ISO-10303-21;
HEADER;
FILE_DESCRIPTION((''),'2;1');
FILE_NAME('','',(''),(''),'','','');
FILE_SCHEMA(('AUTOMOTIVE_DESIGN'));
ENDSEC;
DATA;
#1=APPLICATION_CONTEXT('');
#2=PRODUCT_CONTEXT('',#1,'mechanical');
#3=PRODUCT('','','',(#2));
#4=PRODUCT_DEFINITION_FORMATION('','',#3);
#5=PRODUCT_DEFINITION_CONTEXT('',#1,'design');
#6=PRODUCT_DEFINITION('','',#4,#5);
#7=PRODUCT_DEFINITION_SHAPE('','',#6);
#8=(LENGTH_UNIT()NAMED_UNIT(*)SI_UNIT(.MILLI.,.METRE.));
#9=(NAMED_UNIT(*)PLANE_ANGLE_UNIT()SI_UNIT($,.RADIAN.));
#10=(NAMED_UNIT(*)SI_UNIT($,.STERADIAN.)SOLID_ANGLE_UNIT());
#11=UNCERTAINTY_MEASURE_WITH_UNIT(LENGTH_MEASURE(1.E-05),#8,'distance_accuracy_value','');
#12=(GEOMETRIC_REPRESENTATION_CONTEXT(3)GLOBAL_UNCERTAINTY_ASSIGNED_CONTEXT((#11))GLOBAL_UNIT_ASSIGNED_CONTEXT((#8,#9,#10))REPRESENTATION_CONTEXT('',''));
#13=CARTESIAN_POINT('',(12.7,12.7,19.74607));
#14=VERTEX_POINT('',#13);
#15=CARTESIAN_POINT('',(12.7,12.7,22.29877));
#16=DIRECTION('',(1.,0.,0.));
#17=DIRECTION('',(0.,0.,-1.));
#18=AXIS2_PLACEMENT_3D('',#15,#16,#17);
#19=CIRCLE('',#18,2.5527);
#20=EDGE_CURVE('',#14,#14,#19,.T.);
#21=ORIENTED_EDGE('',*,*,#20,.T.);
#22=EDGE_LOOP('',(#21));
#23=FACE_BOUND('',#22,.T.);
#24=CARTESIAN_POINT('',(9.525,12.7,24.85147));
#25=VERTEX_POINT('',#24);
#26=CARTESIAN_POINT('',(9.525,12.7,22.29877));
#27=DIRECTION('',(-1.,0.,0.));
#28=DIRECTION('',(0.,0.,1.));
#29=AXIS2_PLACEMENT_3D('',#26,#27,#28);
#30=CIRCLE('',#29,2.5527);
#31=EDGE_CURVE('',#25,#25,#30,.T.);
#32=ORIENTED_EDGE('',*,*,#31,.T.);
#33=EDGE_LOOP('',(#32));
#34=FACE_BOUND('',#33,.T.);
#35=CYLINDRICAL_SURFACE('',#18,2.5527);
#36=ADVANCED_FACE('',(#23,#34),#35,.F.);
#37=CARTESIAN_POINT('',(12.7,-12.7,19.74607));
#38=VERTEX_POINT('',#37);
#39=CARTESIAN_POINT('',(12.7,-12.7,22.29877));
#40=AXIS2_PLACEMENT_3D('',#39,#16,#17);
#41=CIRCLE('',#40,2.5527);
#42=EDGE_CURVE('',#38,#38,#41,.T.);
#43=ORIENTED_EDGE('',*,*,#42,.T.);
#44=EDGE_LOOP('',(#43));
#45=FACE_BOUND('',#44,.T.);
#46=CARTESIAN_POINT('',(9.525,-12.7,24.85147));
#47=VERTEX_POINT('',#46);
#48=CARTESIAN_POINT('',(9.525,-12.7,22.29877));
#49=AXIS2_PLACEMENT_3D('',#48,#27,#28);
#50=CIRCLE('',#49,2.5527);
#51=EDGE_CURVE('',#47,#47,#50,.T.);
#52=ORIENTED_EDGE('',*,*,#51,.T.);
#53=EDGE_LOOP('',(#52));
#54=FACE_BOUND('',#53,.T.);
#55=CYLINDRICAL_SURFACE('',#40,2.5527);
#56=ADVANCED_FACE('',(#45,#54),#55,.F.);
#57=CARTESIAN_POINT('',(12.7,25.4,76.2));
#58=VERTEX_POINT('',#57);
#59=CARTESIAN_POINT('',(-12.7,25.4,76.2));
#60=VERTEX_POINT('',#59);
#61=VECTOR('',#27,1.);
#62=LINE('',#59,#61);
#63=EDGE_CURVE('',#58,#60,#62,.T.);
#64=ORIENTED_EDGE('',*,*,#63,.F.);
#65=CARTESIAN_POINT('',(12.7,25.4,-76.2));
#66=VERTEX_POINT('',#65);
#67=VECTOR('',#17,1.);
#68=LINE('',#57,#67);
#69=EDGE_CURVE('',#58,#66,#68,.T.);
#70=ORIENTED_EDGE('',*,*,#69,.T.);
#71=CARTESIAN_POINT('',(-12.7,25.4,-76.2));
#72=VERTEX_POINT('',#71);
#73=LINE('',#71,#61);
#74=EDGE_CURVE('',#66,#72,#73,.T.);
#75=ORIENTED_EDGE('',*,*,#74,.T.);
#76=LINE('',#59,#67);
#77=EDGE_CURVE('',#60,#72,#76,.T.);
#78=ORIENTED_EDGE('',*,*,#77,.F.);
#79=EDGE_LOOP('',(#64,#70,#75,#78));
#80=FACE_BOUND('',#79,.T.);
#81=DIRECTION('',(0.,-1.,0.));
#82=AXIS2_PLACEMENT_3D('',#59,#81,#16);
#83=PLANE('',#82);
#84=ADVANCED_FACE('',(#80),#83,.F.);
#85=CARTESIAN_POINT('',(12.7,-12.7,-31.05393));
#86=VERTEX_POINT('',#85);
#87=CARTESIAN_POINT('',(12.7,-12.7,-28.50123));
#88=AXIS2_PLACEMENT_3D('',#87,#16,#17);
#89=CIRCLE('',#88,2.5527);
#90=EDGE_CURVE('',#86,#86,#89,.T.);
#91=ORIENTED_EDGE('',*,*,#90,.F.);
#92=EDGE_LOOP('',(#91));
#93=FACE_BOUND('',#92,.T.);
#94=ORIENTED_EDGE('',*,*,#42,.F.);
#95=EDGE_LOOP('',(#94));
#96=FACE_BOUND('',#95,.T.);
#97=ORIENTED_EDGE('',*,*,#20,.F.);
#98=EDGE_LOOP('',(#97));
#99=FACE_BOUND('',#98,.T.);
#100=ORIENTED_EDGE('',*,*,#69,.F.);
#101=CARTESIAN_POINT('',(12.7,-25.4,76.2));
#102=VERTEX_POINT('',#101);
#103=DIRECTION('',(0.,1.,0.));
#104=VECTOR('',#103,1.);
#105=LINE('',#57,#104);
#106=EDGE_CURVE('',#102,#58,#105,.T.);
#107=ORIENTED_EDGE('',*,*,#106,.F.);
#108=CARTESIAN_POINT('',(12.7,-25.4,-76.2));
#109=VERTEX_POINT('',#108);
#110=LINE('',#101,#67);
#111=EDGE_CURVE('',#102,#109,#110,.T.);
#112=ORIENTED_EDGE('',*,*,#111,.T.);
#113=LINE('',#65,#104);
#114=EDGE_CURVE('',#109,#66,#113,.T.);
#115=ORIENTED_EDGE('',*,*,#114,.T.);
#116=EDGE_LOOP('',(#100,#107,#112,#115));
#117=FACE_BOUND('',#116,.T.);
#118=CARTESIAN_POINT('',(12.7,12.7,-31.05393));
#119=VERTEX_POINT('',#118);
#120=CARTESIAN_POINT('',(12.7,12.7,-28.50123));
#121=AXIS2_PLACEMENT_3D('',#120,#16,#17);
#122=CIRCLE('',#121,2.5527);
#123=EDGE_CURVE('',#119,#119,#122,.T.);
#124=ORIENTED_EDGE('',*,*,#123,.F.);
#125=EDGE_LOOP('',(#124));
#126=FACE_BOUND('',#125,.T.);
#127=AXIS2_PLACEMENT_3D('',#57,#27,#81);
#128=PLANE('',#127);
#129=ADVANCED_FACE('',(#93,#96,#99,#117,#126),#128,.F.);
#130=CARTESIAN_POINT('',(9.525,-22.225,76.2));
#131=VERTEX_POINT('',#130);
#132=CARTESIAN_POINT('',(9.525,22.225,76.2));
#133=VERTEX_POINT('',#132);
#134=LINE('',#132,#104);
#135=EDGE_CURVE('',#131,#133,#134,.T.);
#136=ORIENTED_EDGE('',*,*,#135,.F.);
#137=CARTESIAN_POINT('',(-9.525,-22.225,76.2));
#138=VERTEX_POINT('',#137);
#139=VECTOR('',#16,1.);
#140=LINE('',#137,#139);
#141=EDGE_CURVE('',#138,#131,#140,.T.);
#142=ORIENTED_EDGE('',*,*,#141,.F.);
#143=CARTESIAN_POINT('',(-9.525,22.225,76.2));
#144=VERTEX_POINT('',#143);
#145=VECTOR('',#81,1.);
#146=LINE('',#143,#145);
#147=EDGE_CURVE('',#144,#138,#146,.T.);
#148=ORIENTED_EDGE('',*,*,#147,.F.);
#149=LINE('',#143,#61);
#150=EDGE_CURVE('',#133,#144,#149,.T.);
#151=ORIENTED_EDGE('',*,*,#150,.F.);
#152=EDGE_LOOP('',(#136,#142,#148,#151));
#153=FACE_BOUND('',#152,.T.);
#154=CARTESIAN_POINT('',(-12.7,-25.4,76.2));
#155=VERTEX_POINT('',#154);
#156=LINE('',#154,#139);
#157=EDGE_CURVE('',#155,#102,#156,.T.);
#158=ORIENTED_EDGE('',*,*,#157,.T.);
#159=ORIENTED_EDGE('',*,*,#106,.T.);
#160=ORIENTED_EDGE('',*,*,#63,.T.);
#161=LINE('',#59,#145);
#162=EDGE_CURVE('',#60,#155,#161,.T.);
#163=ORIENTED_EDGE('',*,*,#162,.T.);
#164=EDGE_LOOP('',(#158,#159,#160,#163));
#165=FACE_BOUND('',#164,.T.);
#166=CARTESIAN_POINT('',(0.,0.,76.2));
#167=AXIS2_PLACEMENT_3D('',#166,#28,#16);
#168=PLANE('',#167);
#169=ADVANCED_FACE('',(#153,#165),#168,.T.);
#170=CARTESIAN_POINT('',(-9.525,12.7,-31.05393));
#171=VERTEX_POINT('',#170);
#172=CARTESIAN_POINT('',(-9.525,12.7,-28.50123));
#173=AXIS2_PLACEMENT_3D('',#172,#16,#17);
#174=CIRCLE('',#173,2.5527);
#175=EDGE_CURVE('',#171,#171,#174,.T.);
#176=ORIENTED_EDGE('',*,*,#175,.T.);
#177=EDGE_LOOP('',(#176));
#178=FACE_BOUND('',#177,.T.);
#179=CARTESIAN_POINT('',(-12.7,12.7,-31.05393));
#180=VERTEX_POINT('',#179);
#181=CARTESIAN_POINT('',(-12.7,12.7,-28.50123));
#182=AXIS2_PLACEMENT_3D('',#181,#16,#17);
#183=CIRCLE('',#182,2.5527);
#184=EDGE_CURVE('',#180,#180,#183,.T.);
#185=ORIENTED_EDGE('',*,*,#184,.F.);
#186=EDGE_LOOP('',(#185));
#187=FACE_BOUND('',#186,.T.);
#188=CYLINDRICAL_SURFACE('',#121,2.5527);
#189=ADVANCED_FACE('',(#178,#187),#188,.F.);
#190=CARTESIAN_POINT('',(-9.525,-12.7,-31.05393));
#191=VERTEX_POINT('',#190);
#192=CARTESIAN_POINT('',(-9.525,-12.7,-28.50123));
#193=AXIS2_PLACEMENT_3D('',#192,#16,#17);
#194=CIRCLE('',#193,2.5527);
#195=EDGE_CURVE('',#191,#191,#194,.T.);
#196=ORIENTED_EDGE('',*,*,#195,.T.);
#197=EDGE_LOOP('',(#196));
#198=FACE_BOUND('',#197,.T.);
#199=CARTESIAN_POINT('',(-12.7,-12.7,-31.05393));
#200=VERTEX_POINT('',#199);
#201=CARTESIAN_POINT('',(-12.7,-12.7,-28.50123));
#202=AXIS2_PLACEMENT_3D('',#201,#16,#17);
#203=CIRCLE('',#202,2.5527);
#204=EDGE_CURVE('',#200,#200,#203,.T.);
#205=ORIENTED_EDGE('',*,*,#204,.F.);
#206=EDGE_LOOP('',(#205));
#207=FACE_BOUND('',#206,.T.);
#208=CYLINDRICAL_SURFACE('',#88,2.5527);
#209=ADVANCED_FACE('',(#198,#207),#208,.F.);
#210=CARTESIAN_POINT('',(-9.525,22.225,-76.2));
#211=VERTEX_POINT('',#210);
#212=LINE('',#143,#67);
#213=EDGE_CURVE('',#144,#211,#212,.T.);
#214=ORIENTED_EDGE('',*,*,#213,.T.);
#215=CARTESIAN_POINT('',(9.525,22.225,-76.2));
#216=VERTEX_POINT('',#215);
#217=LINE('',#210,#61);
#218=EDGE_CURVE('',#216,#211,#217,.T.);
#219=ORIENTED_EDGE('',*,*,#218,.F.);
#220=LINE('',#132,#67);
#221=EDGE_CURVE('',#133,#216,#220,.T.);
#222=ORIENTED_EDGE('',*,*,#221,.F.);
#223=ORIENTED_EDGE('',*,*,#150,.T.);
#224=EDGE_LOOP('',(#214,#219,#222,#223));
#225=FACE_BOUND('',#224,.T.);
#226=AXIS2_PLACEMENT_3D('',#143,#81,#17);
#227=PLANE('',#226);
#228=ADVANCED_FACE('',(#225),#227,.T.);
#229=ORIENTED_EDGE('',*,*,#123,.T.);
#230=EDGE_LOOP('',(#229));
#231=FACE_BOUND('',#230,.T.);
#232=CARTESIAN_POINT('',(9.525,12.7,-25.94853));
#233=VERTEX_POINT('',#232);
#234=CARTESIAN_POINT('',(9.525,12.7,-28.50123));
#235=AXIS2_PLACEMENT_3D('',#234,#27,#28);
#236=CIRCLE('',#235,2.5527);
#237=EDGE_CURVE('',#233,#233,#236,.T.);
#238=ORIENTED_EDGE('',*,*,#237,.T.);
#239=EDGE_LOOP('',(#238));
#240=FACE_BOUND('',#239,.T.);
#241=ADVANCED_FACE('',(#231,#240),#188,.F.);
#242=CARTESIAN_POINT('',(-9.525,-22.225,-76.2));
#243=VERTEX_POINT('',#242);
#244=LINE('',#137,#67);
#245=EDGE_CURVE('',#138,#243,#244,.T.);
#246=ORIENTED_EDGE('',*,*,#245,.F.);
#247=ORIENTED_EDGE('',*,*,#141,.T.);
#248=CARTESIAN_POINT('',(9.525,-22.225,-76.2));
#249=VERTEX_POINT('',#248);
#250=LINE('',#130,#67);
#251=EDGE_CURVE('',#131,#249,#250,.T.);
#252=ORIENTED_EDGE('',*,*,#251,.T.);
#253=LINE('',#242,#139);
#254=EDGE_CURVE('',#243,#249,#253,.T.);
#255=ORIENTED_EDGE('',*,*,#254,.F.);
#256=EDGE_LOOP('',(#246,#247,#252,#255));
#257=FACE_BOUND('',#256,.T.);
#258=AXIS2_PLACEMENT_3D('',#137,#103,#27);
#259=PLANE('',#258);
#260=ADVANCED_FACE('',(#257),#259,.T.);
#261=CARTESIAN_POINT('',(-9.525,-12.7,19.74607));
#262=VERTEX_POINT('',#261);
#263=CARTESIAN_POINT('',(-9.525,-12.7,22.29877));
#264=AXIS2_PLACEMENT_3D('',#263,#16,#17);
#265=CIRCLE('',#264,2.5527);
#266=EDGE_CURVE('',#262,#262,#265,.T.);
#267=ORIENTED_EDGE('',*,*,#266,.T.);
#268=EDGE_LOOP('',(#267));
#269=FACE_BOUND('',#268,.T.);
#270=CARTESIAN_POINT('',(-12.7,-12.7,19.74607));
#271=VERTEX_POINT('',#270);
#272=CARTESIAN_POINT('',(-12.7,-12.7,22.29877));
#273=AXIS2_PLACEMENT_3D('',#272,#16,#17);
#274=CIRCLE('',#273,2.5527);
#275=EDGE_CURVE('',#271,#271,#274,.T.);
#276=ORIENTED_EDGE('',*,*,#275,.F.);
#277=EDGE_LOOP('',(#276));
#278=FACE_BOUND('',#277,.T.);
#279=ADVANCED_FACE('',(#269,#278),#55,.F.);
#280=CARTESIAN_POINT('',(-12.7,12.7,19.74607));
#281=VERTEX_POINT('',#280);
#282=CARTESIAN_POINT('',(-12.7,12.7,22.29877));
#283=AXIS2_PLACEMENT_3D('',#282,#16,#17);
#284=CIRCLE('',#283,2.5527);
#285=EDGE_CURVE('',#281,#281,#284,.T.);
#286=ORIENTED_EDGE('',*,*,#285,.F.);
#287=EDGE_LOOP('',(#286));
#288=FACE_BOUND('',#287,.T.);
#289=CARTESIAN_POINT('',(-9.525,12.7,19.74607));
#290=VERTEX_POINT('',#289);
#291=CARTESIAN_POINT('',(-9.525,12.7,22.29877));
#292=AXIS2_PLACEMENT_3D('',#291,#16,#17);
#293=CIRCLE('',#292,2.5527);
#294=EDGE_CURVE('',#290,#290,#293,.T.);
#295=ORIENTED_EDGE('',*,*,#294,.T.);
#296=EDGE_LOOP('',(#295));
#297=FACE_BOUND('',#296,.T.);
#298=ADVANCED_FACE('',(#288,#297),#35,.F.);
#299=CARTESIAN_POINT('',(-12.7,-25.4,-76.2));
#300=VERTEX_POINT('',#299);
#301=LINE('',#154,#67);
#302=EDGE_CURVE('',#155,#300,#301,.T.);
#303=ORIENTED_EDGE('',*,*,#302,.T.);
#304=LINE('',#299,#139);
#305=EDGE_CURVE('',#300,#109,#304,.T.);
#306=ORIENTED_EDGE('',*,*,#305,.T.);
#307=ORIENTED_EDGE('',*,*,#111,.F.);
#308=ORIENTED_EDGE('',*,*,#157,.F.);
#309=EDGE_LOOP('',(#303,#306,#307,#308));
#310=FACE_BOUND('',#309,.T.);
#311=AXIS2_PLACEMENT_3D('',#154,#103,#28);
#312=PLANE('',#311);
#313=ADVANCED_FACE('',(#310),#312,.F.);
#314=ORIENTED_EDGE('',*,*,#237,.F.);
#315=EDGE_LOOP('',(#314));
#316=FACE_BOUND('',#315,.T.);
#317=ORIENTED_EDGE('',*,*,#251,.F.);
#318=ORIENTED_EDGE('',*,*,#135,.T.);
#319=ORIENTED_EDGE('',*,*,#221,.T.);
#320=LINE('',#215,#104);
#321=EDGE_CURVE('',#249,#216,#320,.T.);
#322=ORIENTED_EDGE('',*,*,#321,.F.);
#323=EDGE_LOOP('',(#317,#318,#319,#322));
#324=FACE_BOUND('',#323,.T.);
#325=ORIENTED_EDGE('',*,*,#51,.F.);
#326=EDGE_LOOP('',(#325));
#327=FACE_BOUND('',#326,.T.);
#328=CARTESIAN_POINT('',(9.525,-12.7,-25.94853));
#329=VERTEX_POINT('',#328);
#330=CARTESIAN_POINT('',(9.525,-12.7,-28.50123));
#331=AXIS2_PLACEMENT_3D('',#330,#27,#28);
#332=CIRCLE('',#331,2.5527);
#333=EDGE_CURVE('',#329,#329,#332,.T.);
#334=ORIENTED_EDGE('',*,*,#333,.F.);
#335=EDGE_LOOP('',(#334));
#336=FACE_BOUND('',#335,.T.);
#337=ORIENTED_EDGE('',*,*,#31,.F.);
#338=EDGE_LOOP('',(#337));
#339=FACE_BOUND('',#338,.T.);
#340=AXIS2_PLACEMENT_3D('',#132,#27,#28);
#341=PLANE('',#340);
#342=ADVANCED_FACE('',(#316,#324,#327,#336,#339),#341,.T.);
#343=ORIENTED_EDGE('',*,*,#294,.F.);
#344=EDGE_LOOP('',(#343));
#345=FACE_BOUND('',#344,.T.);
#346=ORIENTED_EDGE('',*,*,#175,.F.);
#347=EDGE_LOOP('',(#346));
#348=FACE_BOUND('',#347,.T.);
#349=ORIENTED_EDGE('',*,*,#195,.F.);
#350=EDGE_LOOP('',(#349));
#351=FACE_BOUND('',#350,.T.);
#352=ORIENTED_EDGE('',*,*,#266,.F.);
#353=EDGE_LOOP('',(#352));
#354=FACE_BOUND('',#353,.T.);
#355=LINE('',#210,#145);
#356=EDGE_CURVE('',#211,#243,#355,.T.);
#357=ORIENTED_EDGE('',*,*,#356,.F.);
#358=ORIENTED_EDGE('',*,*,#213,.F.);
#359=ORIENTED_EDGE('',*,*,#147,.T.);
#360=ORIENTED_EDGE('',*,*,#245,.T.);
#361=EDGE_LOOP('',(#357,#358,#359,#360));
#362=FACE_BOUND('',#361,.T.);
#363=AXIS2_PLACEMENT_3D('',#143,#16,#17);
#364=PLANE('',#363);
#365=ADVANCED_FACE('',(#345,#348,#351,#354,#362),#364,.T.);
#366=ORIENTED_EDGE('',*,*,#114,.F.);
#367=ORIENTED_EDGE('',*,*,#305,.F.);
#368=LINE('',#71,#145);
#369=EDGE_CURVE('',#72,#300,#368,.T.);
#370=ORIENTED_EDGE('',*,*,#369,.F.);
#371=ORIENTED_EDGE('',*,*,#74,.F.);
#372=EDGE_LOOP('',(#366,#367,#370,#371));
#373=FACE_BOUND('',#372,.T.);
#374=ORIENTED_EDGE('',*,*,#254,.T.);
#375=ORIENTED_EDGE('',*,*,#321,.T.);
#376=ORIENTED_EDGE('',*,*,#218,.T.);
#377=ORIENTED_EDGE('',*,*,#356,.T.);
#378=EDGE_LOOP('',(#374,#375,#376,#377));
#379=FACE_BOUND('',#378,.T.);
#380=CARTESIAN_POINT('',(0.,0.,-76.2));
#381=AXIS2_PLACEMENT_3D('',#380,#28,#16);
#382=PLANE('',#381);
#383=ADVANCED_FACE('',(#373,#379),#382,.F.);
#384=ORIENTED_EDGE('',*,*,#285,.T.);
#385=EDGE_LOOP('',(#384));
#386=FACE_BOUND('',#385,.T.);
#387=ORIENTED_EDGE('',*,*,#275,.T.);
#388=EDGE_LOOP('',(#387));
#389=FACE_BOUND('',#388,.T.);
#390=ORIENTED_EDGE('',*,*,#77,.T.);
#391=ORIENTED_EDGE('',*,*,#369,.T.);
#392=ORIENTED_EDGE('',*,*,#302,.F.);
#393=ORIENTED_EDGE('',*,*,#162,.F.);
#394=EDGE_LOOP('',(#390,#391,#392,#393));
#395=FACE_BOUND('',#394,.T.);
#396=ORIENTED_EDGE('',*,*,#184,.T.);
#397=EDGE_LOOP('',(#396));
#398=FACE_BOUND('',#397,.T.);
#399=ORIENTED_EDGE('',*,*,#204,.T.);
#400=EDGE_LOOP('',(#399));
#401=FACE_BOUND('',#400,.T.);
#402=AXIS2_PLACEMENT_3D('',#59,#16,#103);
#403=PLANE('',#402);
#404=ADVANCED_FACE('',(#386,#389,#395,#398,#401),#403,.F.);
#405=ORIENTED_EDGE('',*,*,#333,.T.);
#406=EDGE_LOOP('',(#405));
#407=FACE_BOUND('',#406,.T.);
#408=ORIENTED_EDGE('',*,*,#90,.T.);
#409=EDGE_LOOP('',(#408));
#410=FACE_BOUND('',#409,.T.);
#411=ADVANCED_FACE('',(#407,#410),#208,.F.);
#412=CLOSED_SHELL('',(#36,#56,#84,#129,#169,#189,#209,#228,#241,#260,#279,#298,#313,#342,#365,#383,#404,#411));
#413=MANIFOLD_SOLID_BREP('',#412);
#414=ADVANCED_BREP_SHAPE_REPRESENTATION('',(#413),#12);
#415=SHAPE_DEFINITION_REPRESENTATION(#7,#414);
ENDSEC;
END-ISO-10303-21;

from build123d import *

# Parameters (mm, degrees)
SKETCH1_W              = 25.4
SKETCH1_H              = 50.8
SKETCH1_W_2            = 19.05
SKETCH1_H_2            = 44.45
BOSS_EXTRUDE1_DEPTH    = 76.2
F_10_CLEARANCE_HOLE1_D = 5.1054


with BuildPart() as part:
    # Sketch1 → Boss-Extrude1 (new, symmetric)
    with BuildSketch(Plane.XY):
        Rectangle(SKETCH1_W, SKETCH1_H)
        Rectangle(SKETCH1_W_2, SKETCH1_H_2, mode=Mode.SUBTRACT)
    extrude(amount=BOSS_EXTRUDE1_DEPTH, both=True)

    # #10 Clearance Hole1 (through all)
    with Locations(Plane(origin=(12.7, 0, 0), x_dir=(0, 0, -1), z_dir=(1, 0, 0))):
        with Locations((-22.298769885, 12.7), (28.501230115, 12.7), (28.501230115, -12.7), (-22.298769885, -12.7)):
            Hole(F_10_CLEARANCE_HOLE1_D / 2)


solid = part.part
